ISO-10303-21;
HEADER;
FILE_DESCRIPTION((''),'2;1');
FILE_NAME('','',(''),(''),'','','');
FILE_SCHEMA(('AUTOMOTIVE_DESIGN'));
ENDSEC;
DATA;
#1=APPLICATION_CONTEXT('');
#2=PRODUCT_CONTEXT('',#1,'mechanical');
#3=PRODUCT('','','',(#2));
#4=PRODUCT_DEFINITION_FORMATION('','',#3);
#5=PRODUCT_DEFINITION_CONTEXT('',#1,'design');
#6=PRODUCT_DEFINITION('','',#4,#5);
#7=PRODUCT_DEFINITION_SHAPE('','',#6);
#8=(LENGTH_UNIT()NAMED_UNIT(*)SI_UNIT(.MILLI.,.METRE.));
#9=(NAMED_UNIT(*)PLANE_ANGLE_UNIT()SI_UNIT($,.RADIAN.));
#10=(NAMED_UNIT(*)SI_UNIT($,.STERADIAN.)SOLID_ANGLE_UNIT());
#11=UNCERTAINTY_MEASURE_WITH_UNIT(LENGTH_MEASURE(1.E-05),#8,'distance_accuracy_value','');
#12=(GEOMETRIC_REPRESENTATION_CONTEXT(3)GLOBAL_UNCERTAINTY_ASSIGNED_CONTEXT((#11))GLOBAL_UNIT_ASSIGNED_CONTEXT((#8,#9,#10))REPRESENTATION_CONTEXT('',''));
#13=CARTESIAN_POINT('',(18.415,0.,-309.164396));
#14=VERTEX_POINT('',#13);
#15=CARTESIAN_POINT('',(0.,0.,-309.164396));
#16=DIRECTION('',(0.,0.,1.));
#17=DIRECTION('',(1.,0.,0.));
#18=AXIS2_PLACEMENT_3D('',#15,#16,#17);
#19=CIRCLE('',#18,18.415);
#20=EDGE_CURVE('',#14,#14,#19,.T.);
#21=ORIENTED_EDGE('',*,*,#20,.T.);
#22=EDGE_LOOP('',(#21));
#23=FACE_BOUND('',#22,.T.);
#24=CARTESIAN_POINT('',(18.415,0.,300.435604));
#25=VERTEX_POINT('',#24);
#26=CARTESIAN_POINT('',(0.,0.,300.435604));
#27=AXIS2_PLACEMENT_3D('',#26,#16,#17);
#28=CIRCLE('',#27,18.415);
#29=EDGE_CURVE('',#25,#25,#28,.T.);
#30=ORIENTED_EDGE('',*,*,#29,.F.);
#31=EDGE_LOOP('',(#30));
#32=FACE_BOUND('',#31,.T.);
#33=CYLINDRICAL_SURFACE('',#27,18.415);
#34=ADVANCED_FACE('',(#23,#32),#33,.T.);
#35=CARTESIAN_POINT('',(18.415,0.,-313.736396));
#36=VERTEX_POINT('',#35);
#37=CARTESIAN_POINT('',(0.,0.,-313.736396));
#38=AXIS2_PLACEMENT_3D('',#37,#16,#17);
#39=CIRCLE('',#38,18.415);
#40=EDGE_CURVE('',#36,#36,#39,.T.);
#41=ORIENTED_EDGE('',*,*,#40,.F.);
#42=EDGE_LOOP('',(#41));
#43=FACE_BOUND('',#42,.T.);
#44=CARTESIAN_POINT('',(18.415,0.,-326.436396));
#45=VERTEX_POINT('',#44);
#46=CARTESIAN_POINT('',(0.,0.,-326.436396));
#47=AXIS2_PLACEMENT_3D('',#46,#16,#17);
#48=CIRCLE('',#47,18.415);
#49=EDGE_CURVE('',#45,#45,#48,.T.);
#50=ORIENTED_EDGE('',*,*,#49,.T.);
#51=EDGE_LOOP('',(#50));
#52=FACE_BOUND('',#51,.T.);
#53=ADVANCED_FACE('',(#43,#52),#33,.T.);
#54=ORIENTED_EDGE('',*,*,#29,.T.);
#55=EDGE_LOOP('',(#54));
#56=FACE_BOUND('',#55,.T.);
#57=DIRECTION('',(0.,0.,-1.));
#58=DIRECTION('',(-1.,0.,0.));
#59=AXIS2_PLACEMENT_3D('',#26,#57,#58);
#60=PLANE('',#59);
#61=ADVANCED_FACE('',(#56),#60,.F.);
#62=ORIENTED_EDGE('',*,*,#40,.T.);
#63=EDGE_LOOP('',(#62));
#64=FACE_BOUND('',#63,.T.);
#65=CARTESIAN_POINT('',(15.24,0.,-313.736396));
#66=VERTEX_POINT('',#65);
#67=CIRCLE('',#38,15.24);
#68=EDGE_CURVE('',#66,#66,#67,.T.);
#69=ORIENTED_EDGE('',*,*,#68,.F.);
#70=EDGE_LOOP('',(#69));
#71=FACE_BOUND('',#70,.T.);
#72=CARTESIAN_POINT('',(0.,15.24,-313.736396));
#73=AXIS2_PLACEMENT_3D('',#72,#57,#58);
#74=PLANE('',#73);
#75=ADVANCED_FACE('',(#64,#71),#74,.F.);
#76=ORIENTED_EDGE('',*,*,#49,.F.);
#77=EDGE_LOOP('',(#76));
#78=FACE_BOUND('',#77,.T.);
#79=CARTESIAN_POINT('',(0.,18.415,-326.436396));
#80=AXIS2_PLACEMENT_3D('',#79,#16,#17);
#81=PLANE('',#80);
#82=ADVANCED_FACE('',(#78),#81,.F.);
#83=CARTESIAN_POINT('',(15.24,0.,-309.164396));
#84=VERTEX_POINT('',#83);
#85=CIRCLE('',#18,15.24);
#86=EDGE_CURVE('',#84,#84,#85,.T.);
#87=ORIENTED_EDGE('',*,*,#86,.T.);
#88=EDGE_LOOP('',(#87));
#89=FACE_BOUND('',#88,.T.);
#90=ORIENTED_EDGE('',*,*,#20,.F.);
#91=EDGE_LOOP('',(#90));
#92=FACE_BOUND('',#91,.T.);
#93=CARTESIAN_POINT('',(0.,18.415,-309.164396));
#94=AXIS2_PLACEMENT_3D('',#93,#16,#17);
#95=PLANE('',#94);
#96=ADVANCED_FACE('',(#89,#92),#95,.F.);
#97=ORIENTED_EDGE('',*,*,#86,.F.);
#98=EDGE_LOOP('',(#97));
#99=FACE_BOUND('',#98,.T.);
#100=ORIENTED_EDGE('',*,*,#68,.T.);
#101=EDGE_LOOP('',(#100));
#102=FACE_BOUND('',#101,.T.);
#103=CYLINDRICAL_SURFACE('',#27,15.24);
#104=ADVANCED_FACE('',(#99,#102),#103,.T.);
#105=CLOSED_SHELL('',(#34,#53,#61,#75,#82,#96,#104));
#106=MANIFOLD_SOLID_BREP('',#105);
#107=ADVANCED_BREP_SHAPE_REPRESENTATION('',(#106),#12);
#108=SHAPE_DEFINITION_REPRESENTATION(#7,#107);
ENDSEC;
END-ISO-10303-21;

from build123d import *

# Parameters (mm, degrees)
SCALE1_SCALE = 25.4


with BuildPart() as part:
    # Sketch1 → Revolve1 (revolve)
    with BuildSketch(Plane(origin=(0, 0, 0), x_dir=(0, 0, -1), z_dir=(1, 0, 0)), mode=Mode.PRIVATE) as revolve1_sk:
        Polygon((0, 0.725), (24, 0.725), (24, 0.6), (24.18, 0.6), (24.18, 0.725), (24.68, 0.725), (24.68, 0), (0, 0), align=None)
    revolve(revolve1_sk.sketch.rotate(Axis((0, 0, 0), (0, 0, -1)), 90), axis=Axis((0, 0, 0), (0, 0, -1)))


with BuildPart() as part_1:
    # Scale1: scaled about (0, 0, -12.312934608)
    add(part.part.scale(SCALE1_SCALE).moved(Location((0, 0, 300.435604435))))


solid = part_1.part
